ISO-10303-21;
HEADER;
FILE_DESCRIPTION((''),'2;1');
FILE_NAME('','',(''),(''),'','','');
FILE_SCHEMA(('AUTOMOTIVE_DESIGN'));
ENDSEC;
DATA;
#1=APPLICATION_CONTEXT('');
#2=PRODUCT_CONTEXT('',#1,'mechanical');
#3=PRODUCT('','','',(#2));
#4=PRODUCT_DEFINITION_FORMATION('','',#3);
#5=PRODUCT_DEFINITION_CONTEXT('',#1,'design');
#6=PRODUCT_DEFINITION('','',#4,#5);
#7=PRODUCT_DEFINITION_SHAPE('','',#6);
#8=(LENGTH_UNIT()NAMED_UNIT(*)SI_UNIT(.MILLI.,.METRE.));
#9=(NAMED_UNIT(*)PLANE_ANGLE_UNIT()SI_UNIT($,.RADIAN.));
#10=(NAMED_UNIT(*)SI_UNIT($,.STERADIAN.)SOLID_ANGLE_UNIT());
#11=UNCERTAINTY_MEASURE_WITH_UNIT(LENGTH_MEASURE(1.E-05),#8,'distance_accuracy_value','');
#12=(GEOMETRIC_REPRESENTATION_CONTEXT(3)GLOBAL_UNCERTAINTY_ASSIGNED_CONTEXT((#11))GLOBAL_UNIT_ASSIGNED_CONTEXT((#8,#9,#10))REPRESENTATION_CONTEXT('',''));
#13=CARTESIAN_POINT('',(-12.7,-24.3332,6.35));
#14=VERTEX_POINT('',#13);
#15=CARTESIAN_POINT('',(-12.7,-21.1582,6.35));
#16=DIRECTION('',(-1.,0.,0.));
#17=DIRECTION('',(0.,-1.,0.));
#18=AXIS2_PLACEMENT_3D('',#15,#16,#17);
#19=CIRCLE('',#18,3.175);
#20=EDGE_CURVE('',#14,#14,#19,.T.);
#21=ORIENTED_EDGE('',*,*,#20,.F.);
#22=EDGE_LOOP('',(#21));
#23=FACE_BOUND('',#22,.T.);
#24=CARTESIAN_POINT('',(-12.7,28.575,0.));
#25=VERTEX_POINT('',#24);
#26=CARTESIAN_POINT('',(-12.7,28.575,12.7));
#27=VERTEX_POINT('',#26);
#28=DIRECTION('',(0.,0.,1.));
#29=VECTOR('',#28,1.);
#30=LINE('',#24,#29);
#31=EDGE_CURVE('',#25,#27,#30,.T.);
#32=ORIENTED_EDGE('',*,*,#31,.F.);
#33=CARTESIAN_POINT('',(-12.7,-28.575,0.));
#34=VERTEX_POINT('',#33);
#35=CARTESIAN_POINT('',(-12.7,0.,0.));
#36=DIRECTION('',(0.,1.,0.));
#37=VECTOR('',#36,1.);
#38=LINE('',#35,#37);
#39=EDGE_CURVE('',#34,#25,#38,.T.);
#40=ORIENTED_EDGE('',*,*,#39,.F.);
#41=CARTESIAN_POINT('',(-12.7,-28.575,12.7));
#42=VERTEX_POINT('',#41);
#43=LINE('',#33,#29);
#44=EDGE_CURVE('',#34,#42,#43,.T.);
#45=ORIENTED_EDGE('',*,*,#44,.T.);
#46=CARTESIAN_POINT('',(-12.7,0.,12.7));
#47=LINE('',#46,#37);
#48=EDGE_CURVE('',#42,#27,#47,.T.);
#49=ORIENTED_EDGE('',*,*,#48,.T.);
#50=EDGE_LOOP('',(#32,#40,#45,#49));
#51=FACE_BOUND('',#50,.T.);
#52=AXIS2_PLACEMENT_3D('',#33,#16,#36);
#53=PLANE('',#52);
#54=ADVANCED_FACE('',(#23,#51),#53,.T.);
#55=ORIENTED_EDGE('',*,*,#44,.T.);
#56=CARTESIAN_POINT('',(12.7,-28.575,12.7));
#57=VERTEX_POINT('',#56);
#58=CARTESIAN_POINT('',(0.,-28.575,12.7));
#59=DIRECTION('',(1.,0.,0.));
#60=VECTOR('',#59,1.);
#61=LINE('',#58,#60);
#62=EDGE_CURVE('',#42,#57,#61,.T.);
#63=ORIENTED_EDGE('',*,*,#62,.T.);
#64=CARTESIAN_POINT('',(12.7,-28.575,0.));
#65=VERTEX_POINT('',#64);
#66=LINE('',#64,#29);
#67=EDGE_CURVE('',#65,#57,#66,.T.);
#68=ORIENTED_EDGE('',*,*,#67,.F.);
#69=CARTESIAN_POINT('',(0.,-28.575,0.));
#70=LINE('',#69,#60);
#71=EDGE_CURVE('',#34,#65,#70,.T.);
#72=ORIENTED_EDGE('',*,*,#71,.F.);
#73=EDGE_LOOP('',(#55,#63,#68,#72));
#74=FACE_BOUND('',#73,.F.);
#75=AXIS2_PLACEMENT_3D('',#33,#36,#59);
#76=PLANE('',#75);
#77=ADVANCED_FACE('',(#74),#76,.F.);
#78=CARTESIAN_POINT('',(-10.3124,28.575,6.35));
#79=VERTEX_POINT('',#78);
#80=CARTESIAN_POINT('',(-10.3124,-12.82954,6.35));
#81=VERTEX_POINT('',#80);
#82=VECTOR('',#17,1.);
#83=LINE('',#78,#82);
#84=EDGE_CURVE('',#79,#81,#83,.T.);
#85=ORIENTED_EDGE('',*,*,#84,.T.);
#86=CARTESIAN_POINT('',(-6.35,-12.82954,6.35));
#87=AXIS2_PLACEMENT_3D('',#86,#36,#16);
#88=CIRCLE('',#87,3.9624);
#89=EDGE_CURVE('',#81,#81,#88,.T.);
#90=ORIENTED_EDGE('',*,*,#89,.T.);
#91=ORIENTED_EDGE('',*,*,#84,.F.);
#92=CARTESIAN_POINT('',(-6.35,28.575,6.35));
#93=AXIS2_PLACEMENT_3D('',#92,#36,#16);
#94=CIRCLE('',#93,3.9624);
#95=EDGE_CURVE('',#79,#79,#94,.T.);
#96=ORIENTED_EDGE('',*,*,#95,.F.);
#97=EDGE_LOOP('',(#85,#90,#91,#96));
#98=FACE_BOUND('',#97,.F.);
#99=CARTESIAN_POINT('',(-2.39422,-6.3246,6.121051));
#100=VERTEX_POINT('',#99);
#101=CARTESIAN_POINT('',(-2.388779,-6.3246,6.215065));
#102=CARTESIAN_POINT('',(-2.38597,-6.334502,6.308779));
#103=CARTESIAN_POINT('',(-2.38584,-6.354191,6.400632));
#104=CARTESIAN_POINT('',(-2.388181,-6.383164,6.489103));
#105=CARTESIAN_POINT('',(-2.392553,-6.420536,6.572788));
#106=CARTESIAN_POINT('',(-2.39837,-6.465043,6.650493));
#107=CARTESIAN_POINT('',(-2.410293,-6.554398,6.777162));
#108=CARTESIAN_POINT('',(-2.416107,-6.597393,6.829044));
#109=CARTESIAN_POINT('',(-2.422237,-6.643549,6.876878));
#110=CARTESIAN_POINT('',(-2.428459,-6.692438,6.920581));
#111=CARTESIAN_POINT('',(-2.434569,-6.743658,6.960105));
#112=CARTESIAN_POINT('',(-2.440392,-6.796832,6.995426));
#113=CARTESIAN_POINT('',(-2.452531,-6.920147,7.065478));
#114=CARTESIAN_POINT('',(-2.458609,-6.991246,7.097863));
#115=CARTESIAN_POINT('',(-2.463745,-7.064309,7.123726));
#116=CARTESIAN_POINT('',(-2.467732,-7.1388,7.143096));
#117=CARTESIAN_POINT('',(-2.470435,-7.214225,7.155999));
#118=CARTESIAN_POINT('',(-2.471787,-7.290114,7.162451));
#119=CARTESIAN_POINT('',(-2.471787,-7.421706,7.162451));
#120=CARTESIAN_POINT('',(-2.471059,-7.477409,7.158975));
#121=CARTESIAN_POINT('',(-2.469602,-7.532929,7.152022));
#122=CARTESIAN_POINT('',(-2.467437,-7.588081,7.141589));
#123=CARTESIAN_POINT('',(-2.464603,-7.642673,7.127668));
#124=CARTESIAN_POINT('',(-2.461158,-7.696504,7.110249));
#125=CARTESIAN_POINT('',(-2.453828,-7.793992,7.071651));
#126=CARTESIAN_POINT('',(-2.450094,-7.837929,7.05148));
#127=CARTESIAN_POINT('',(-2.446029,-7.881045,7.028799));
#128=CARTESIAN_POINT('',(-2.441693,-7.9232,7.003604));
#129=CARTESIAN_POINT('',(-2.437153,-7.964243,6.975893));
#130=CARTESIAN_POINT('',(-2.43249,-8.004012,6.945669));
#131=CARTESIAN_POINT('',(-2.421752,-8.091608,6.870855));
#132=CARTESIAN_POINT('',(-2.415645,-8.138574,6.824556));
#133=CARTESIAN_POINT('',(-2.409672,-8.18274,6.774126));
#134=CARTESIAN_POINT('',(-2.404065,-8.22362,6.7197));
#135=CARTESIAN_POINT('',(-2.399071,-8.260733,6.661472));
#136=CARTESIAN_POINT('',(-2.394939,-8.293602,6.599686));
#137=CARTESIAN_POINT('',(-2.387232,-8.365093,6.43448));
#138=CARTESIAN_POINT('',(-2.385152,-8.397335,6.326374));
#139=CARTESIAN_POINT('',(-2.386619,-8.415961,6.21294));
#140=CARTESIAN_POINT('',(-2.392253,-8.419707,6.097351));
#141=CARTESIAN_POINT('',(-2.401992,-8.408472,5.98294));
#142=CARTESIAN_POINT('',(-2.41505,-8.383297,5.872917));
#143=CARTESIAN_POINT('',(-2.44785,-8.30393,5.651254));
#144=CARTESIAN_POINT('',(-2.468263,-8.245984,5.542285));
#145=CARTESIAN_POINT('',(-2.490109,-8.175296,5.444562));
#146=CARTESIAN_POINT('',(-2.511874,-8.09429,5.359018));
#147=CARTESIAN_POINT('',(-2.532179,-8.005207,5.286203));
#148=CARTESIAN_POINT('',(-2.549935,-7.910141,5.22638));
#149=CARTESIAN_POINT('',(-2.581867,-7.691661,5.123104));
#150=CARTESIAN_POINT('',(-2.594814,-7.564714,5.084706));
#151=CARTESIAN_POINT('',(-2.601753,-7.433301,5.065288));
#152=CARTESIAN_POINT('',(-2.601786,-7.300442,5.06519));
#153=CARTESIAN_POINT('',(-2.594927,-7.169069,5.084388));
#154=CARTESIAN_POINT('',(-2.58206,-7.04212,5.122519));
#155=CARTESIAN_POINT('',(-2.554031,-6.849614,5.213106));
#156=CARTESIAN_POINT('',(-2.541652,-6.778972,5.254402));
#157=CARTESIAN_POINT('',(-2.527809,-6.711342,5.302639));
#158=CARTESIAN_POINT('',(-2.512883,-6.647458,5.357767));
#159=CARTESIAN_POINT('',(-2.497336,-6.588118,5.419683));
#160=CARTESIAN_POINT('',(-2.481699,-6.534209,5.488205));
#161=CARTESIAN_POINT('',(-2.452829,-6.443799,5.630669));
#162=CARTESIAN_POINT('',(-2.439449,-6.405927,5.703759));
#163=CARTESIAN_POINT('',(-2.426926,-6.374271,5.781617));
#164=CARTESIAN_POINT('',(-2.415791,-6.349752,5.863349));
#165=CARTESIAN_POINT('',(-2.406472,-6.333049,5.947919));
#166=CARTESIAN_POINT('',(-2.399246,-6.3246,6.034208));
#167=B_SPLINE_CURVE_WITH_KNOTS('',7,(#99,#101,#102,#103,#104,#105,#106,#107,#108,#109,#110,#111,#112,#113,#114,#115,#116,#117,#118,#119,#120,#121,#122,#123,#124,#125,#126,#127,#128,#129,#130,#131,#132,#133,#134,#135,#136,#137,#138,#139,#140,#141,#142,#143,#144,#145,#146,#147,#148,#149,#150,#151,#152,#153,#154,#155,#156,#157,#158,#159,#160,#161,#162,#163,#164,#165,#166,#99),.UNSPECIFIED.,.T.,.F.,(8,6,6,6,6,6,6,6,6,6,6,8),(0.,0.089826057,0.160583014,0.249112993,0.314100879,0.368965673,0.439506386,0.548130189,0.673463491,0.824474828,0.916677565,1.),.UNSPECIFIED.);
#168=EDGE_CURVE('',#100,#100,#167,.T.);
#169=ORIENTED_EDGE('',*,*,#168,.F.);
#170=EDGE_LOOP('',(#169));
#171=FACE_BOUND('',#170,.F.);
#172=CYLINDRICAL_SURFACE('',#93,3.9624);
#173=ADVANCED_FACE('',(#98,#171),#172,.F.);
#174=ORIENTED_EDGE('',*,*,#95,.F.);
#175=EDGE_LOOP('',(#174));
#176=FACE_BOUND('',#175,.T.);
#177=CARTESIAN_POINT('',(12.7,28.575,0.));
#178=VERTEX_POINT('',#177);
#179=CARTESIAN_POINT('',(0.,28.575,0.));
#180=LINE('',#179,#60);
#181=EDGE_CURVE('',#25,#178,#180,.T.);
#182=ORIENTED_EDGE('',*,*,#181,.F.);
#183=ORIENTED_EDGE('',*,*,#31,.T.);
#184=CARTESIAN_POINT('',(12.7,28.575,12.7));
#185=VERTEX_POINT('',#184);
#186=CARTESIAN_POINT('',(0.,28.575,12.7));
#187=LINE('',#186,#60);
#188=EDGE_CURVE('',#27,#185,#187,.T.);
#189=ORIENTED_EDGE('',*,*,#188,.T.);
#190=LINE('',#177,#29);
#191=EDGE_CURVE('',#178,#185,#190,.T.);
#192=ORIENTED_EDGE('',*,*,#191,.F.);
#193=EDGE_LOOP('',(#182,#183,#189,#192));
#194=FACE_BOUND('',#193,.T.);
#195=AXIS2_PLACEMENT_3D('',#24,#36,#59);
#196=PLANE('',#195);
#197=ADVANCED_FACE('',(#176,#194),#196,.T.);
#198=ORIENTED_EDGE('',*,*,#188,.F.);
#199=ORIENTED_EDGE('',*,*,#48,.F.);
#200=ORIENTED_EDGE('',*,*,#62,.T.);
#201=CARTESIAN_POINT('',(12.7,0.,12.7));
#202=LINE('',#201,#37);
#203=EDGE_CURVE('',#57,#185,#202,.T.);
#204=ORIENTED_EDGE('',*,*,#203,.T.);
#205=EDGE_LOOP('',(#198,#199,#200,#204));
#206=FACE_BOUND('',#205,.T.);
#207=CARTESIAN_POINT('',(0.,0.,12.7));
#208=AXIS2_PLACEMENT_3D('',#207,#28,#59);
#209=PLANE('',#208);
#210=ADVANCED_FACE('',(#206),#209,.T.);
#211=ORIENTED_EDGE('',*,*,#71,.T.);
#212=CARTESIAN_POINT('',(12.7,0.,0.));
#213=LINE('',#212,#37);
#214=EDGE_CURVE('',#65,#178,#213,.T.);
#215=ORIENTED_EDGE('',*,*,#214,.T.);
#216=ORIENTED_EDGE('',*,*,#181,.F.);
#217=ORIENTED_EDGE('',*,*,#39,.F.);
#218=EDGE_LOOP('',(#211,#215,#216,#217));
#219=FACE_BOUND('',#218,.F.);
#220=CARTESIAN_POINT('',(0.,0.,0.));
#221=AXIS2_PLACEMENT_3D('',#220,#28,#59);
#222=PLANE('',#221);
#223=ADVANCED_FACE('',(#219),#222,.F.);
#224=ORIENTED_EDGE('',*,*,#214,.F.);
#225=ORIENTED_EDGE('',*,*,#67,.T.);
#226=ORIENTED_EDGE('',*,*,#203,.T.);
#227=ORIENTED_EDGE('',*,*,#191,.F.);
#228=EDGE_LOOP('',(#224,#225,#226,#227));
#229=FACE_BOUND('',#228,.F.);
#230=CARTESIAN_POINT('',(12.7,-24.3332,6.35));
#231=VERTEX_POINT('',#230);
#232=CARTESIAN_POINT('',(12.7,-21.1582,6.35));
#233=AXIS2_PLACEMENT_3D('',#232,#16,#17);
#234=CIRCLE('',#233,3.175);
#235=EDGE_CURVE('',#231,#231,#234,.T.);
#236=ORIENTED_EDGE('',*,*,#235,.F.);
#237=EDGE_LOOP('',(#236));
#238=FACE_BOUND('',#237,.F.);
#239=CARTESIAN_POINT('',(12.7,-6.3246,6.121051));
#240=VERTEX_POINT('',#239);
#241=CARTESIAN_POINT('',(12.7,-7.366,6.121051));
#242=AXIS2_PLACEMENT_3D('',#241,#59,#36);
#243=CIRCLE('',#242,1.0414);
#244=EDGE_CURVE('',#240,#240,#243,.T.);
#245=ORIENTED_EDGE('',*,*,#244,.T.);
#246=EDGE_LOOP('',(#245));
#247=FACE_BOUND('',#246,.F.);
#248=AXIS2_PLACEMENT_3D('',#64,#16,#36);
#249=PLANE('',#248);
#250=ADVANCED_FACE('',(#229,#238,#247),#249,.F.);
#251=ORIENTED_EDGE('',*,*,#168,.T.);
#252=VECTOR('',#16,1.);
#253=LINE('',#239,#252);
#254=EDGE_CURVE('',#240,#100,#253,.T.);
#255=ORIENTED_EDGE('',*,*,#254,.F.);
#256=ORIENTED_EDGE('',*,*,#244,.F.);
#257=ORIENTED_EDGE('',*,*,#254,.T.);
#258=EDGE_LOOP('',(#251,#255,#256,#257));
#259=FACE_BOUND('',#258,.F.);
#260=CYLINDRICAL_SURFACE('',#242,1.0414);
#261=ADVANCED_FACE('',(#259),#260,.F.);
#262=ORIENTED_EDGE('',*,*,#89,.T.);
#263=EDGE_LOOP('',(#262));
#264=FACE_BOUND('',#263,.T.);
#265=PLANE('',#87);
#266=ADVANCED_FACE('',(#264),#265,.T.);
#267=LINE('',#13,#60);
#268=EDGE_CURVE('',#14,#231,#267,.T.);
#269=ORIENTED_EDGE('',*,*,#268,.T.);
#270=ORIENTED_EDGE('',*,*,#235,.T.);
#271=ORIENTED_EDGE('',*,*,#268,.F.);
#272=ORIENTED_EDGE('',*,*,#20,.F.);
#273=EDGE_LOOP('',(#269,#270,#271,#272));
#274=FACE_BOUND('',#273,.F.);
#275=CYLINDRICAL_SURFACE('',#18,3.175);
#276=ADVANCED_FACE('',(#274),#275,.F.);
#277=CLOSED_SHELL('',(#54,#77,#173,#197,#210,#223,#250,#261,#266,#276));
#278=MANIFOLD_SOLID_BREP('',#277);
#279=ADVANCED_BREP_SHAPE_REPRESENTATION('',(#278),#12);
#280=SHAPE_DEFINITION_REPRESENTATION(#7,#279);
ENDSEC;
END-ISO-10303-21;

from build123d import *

# Parameters (mm, degrees)
F0_W     = 25.4
F0_H     = 57.15
F1_DEPTH = 12.7
F2_R     = 3.175
F3_DEPTH = 30.8102
F4_R     = 3.9624
F5_DEPTH = 41.40454
F6_R     = 1.0414
F7_DEPTH = 16.9418


with BuildPart() as f1:
    # F0 (on Top) → F1 (new body)
    with BuildSketch(Plane.XY):
        Rectangle(F0_W, F0_H)
    extrude(amount=F1_DEPTH)

    # F2 (on face) → F3 (cut)
    with BuildSketch(Plane(origin=(-12.7, 0, 0), x_dir=(0, -1, 0), z_dir=(-1, 0, 0))):
        with Locations((21.1582, 6.35)):
            Circle(F2_R)
    extrude(amount=-F3_DEPTH, mode=Mode.SUBTRACT)

    # F4 (on face) → F5 (cut)
    with BuildSketch(Plane(origin=(0, 28.575, 0), x_dir=(-1, 0, 0), z_dir=(0, 1, 0))):
        with Locations((6.35, 6.35)):
            Circle(F4_R)
    extrude(amount=-F5_DEPTH, mode=Mode.SUBTRACT)

    # F6 (on face) → F7 (cut)
    with BuildSketch(Plane.YZ.offset(12.7)):
        with Locations((-7.366, 6.121051)):
            Circle(F6_R)
    extrude(amount=-F7_DEPTH, mode=Mode.SUBTRACT)


solid = f1.part
